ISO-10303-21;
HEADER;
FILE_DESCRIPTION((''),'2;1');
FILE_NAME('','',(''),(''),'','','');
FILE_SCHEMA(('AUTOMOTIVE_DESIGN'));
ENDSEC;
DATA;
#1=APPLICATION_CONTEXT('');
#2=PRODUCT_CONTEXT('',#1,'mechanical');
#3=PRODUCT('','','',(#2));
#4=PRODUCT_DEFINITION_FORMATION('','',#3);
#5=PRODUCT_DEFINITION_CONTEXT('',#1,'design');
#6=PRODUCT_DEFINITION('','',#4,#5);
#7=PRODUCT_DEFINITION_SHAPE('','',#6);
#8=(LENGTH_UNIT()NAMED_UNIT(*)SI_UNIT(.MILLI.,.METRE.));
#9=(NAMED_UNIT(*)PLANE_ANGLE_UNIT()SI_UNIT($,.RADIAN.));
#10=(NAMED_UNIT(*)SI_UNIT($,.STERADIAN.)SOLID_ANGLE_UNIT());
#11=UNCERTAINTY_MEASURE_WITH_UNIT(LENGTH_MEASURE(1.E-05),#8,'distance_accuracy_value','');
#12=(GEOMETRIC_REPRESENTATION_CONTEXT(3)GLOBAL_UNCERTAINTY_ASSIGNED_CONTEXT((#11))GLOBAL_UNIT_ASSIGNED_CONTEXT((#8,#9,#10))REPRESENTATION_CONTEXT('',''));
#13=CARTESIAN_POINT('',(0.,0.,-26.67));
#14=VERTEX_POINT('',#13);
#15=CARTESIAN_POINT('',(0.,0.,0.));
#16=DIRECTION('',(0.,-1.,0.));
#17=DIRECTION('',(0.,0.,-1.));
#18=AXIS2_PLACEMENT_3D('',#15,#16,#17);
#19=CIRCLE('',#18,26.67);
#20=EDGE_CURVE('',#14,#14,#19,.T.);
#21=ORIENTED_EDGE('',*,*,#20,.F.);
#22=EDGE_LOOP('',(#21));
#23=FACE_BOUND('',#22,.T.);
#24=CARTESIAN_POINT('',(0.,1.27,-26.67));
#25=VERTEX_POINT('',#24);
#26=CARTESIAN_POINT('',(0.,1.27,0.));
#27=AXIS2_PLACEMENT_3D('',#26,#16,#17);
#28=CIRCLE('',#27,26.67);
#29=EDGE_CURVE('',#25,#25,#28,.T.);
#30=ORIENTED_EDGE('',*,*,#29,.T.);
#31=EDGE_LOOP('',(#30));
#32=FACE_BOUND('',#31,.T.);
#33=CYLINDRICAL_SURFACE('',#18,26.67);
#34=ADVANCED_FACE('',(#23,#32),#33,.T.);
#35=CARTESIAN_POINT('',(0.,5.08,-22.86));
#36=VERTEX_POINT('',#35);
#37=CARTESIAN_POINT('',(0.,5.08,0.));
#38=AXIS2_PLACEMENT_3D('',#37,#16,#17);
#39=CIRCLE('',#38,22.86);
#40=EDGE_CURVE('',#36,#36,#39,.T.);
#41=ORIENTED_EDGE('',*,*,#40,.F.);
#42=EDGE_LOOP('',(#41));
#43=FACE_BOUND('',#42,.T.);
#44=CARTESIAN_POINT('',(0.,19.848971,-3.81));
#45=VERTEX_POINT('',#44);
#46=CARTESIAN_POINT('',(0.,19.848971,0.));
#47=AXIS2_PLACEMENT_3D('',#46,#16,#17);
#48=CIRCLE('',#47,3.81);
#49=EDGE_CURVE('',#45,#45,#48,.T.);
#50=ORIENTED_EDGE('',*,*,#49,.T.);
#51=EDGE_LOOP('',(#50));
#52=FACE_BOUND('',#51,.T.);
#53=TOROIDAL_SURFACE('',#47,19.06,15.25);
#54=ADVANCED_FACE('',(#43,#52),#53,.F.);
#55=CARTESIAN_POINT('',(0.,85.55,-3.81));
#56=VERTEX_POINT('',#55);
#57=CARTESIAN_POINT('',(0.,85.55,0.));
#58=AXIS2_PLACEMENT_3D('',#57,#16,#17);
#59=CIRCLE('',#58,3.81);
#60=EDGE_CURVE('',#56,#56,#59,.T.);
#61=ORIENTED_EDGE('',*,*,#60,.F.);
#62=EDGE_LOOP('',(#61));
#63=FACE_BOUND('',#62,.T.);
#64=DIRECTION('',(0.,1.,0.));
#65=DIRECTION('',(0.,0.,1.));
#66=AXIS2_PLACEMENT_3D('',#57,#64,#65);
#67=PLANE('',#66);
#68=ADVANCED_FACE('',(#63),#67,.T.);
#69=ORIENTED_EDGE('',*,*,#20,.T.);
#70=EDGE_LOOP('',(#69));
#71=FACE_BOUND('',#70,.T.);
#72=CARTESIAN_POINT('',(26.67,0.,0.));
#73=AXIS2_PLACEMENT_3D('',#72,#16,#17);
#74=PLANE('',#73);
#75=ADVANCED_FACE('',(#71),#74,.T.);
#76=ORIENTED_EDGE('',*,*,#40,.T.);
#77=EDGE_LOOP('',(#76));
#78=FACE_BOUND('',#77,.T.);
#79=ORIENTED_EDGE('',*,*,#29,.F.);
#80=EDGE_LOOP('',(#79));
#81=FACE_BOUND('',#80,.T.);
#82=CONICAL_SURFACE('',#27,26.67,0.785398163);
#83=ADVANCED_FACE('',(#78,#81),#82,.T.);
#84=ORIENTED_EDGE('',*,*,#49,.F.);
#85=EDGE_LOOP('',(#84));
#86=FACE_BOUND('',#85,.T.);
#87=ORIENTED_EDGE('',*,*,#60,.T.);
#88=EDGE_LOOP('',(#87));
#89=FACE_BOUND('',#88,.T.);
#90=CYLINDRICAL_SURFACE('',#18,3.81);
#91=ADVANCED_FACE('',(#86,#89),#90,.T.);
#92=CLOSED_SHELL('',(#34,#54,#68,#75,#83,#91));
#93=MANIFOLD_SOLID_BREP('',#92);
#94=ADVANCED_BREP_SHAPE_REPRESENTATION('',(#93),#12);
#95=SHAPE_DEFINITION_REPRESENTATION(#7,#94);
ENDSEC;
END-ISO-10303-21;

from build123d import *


with BuildPart() as part:
    # Sketch1 → Revolve1 (revolve)
    with BuildSketch(Plane.XY, mode=Mode.PRIVATE) as revolve1_sk:
        with BuildLine():
            Line((0, 0), (0, 85.55))
            Line((0, 85.55), (3.81, 85.55))
            Line((3.81, 85.55), (3.81, 19.848970851))
            ThreePointArc((3.81, 19.848970851), (9.716218646, 7.796740767), (22.86, 5.08))
            Line((22.86, 5.08), (26.67, 1.27))
            Line((26.67, 1.27), (26.67, 0))
            Line((26.67, 0), (0, 0))
        make_face()
    revolve(revolve1_sk.sketch.rotate(Axis((0, 0, 0), (0, 1, 0)), 90), axis=Axis((0, 0, 0), (0, 1, 0)))


solid = part.part
